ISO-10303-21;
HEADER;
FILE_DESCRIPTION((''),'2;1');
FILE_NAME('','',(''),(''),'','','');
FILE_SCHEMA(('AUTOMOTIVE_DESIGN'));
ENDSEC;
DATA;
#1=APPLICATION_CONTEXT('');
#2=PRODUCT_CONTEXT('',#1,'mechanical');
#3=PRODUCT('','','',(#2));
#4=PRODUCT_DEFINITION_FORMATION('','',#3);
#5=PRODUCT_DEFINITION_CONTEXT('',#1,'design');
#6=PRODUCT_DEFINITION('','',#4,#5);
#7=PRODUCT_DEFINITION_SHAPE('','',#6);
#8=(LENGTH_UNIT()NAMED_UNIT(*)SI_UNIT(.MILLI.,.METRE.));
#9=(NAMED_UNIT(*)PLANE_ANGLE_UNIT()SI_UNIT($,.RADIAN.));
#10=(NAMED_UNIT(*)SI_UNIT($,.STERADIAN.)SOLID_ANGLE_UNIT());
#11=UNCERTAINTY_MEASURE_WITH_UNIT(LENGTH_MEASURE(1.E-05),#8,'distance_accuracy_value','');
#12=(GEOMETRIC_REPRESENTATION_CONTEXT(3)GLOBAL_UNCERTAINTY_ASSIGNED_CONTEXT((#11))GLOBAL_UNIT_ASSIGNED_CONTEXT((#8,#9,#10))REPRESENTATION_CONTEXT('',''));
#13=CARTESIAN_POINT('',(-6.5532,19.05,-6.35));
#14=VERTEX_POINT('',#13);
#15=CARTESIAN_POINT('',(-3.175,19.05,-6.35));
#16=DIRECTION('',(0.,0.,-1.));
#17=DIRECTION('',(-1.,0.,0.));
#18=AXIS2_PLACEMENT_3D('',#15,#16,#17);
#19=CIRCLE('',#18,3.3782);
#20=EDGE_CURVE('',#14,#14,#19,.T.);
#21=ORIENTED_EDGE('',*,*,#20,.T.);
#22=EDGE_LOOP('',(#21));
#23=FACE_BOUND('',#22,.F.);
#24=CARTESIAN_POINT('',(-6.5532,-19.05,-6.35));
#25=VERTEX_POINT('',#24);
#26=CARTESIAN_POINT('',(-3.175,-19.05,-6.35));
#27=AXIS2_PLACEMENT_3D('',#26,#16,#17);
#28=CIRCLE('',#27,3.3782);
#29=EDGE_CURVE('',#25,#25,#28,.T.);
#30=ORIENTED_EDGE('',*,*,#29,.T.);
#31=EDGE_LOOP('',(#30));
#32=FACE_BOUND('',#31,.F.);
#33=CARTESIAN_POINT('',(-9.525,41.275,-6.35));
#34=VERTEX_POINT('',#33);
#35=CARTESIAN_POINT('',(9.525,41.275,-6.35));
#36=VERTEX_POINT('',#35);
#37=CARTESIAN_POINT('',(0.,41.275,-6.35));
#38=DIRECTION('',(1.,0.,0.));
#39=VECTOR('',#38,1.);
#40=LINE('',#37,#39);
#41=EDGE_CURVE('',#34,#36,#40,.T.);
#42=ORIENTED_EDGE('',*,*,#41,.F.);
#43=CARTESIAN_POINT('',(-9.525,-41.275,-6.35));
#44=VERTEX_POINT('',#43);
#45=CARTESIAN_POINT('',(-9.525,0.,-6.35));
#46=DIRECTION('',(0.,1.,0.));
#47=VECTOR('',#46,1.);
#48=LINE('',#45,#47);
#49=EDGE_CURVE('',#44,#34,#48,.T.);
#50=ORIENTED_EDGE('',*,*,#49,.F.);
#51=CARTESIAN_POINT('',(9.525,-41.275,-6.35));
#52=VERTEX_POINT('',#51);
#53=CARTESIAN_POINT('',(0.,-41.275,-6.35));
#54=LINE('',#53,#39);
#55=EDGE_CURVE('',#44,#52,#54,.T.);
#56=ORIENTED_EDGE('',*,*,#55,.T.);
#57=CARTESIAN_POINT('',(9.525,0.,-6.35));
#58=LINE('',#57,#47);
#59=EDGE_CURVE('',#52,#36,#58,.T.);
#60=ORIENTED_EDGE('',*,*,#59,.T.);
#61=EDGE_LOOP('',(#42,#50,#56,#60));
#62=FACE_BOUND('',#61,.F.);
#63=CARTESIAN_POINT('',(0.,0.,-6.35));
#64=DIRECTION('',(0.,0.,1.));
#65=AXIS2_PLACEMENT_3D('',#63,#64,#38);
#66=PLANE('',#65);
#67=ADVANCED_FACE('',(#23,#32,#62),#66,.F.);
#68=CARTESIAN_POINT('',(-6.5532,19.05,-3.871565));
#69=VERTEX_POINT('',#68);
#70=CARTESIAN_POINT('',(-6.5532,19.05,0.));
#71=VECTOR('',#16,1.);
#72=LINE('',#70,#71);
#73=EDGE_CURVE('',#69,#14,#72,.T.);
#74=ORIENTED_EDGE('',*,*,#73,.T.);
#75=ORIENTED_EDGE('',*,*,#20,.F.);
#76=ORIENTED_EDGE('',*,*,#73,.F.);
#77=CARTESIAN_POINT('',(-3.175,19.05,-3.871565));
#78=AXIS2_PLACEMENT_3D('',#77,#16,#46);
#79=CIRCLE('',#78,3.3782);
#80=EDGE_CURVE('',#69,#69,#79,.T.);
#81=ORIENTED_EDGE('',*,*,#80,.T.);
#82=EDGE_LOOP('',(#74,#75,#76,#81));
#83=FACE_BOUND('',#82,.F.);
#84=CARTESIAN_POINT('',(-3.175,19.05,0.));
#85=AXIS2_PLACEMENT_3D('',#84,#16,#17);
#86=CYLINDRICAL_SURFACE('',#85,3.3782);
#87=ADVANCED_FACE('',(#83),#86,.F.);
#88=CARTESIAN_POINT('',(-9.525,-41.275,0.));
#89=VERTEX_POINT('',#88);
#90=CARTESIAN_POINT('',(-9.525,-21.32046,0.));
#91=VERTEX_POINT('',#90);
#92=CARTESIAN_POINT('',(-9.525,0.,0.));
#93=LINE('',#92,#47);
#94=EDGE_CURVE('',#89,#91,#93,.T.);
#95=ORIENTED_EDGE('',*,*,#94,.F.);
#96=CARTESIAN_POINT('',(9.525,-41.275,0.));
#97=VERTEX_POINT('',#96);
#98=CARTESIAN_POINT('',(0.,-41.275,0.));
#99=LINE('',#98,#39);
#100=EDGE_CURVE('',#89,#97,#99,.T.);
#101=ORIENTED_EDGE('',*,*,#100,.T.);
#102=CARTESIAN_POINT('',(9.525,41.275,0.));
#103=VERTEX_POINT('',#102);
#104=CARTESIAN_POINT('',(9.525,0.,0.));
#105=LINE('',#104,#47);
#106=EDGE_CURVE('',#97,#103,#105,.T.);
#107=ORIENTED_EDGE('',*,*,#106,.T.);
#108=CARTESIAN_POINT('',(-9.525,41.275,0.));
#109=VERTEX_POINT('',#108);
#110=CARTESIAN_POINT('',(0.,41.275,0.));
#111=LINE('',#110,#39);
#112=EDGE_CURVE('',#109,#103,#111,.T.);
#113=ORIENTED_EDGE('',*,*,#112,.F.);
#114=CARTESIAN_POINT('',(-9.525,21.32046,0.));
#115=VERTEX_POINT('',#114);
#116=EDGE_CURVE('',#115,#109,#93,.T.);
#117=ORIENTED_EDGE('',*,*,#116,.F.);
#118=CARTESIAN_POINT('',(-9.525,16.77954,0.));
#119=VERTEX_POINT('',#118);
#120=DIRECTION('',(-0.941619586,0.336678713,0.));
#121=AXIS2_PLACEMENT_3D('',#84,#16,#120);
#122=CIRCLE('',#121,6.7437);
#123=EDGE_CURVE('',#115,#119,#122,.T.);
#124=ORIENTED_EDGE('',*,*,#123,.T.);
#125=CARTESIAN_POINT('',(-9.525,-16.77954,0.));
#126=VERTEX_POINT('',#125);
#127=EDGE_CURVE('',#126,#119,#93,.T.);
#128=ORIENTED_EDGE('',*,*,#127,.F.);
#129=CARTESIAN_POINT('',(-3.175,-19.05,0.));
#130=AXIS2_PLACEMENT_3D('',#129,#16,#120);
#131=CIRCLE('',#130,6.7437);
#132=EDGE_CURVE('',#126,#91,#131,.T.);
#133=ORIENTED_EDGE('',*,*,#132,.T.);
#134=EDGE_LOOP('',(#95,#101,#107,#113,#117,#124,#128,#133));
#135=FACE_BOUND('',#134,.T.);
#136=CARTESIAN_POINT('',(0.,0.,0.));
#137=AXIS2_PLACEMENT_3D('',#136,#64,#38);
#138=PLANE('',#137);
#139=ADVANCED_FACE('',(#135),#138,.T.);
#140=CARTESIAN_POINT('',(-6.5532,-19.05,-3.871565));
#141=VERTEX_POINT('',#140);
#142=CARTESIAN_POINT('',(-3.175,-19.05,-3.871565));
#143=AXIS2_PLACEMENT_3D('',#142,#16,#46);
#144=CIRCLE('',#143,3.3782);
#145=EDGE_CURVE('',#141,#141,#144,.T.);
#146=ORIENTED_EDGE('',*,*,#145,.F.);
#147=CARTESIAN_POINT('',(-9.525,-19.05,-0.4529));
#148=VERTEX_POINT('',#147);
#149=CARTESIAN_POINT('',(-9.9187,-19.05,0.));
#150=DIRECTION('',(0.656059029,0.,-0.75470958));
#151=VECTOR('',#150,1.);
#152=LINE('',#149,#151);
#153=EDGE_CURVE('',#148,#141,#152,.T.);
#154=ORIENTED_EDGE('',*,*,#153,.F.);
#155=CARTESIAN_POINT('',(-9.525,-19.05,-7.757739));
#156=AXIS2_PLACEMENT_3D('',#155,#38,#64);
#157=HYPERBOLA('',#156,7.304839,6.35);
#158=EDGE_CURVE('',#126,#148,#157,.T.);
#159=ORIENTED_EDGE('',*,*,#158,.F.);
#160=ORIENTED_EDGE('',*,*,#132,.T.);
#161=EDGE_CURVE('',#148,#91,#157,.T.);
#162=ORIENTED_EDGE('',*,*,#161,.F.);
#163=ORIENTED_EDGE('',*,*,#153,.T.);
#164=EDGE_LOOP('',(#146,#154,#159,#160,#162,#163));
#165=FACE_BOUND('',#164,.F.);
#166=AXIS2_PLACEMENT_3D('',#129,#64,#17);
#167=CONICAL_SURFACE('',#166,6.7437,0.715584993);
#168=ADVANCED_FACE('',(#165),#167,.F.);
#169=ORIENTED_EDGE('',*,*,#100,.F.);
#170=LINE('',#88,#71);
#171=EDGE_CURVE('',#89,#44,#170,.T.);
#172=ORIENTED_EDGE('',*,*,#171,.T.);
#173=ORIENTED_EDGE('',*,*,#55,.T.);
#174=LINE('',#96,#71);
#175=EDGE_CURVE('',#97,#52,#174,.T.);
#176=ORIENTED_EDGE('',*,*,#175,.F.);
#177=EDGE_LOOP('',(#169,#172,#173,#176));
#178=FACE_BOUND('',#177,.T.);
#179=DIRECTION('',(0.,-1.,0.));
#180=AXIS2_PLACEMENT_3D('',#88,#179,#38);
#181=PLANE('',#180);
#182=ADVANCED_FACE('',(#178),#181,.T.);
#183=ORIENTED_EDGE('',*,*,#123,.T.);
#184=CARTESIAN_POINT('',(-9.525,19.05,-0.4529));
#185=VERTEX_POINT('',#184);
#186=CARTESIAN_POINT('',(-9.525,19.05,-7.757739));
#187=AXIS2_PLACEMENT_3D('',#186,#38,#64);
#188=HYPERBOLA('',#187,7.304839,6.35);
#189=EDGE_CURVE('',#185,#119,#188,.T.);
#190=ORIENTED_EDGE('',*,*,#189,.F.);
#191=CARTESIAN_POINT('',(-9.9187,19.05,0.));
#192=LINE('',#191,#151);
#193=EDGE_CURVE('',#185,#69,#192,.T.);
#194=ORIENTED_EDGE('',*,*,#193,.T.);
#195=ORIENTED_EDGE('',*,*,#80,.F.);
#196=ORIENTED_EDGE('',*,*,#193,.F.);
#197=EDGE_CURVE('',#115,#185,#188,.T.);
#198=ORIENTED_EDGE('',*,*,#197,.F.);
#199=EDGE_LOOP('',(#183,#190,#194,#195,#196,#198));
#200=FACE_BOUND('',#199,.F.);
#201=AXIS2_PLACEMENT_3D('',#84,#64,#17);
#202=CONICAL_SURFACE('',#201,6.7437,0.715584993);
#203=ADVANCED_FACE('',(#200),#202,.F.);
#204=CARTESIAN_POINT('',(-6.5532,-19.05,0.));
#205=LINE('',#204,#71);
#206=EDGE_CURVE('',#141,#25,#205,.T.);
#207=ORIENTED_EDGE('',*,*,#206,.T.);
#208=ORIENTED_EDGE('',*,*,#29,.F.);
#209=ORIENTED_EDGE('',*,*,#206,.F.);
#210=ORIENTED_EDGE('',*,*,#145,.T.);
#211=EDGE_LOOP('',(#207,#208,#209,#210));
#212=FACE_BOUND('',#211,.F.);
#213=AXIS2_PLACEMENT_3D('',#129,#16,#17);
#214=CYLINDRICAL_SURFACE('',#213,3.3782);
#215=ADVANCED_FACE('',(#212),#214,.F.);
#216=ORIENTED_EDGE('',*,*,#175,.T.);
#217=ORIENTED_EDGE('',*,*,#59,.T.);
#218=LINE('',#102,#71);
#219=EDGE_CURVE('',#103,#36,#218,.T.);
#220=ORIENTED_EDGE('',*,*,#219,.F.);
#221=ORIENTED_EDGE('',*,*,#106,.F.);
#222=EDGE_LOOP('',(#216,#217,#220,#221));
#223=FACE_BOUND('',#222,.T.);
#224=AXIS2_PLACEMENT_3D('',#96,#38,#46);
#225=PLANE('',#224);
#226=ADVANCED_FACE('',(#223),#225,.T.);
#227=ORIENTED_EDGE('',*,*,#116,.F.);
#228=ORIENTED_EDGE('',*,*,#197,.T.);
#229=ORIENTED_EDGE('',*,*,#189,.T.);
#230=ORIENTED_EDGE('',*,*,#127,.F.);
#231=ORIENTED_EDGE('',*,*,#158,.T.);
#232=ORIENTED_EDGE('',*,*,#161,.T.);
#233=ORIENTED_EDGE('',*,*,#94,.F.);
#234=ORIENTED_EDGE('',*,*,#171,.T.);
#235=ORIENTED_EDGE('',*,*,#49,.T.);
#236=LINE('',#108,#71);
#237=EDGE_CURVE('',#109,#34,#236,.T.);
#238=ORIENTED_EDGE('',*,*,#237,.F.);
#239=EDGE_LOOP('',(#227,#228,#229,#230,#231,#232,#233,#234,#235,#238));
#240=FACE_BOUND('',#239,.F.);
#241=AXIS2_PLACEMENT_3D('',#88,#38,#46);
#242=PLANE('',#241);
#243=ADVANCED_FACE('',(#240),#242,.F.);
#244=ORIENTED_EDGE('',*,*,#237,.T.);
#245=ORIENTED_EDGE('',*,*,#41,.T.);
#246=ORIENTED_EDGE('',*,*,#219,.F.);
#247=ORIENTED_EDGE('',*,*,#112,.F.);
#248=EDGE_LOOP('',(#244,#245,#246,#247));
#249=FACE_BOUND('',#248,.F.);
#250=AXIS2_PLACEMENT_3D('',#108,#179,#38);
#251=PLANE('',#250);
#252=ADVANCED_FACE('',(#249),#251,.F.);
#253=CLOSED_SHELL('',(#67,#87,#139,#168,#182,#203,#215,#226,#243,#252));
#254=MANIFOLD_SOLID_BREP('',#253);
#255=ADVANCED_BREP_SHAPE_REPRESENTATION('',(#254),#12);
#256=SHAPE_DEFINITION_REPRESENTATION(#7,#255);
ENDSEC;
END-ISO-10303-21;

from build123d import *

# Parameters (mm, degrees)
F0_W           = 19.05
F0_H           = 82.55
F0_R           = 3.571875
F1_DEPTH       = 6.35
F2_D           = 6.7564
F2_CSINK_D     = 13.4874
F2_CSINK_ANGLE = 82


with BuildPart() as f1:
    # F0 (on Top) → F1 (new body)
    with BuildSketch(Plane.XY):
        Rectangle(F0_W, F0_H)
        with Locations((-3.175, -19.05)):
            Circle(F0_R, mode=Mode.SUBTRACT)
        with Locations((-3.175, 19.05)):
            Circle(F0_R, mode=Mode.SUBTRACT)
        with Locations((-3.175, 19.05)):
            Circle(F0_R)
        with Locations((-3.175, -19.05)):
            Circle(F0_R)
    extrude(amount=-F1_DEPTH)

    # F2 (through all)
    with Locations(Plane.XY):
        with Locations((-3.175, 19.05), (-3.175, -19.05)):
            CounterSinkHole(F2_D / 2, F2_CSINK_D / 2, counter_sink_angle=F2_CSINK_ANGLE)


solid = f1.part
